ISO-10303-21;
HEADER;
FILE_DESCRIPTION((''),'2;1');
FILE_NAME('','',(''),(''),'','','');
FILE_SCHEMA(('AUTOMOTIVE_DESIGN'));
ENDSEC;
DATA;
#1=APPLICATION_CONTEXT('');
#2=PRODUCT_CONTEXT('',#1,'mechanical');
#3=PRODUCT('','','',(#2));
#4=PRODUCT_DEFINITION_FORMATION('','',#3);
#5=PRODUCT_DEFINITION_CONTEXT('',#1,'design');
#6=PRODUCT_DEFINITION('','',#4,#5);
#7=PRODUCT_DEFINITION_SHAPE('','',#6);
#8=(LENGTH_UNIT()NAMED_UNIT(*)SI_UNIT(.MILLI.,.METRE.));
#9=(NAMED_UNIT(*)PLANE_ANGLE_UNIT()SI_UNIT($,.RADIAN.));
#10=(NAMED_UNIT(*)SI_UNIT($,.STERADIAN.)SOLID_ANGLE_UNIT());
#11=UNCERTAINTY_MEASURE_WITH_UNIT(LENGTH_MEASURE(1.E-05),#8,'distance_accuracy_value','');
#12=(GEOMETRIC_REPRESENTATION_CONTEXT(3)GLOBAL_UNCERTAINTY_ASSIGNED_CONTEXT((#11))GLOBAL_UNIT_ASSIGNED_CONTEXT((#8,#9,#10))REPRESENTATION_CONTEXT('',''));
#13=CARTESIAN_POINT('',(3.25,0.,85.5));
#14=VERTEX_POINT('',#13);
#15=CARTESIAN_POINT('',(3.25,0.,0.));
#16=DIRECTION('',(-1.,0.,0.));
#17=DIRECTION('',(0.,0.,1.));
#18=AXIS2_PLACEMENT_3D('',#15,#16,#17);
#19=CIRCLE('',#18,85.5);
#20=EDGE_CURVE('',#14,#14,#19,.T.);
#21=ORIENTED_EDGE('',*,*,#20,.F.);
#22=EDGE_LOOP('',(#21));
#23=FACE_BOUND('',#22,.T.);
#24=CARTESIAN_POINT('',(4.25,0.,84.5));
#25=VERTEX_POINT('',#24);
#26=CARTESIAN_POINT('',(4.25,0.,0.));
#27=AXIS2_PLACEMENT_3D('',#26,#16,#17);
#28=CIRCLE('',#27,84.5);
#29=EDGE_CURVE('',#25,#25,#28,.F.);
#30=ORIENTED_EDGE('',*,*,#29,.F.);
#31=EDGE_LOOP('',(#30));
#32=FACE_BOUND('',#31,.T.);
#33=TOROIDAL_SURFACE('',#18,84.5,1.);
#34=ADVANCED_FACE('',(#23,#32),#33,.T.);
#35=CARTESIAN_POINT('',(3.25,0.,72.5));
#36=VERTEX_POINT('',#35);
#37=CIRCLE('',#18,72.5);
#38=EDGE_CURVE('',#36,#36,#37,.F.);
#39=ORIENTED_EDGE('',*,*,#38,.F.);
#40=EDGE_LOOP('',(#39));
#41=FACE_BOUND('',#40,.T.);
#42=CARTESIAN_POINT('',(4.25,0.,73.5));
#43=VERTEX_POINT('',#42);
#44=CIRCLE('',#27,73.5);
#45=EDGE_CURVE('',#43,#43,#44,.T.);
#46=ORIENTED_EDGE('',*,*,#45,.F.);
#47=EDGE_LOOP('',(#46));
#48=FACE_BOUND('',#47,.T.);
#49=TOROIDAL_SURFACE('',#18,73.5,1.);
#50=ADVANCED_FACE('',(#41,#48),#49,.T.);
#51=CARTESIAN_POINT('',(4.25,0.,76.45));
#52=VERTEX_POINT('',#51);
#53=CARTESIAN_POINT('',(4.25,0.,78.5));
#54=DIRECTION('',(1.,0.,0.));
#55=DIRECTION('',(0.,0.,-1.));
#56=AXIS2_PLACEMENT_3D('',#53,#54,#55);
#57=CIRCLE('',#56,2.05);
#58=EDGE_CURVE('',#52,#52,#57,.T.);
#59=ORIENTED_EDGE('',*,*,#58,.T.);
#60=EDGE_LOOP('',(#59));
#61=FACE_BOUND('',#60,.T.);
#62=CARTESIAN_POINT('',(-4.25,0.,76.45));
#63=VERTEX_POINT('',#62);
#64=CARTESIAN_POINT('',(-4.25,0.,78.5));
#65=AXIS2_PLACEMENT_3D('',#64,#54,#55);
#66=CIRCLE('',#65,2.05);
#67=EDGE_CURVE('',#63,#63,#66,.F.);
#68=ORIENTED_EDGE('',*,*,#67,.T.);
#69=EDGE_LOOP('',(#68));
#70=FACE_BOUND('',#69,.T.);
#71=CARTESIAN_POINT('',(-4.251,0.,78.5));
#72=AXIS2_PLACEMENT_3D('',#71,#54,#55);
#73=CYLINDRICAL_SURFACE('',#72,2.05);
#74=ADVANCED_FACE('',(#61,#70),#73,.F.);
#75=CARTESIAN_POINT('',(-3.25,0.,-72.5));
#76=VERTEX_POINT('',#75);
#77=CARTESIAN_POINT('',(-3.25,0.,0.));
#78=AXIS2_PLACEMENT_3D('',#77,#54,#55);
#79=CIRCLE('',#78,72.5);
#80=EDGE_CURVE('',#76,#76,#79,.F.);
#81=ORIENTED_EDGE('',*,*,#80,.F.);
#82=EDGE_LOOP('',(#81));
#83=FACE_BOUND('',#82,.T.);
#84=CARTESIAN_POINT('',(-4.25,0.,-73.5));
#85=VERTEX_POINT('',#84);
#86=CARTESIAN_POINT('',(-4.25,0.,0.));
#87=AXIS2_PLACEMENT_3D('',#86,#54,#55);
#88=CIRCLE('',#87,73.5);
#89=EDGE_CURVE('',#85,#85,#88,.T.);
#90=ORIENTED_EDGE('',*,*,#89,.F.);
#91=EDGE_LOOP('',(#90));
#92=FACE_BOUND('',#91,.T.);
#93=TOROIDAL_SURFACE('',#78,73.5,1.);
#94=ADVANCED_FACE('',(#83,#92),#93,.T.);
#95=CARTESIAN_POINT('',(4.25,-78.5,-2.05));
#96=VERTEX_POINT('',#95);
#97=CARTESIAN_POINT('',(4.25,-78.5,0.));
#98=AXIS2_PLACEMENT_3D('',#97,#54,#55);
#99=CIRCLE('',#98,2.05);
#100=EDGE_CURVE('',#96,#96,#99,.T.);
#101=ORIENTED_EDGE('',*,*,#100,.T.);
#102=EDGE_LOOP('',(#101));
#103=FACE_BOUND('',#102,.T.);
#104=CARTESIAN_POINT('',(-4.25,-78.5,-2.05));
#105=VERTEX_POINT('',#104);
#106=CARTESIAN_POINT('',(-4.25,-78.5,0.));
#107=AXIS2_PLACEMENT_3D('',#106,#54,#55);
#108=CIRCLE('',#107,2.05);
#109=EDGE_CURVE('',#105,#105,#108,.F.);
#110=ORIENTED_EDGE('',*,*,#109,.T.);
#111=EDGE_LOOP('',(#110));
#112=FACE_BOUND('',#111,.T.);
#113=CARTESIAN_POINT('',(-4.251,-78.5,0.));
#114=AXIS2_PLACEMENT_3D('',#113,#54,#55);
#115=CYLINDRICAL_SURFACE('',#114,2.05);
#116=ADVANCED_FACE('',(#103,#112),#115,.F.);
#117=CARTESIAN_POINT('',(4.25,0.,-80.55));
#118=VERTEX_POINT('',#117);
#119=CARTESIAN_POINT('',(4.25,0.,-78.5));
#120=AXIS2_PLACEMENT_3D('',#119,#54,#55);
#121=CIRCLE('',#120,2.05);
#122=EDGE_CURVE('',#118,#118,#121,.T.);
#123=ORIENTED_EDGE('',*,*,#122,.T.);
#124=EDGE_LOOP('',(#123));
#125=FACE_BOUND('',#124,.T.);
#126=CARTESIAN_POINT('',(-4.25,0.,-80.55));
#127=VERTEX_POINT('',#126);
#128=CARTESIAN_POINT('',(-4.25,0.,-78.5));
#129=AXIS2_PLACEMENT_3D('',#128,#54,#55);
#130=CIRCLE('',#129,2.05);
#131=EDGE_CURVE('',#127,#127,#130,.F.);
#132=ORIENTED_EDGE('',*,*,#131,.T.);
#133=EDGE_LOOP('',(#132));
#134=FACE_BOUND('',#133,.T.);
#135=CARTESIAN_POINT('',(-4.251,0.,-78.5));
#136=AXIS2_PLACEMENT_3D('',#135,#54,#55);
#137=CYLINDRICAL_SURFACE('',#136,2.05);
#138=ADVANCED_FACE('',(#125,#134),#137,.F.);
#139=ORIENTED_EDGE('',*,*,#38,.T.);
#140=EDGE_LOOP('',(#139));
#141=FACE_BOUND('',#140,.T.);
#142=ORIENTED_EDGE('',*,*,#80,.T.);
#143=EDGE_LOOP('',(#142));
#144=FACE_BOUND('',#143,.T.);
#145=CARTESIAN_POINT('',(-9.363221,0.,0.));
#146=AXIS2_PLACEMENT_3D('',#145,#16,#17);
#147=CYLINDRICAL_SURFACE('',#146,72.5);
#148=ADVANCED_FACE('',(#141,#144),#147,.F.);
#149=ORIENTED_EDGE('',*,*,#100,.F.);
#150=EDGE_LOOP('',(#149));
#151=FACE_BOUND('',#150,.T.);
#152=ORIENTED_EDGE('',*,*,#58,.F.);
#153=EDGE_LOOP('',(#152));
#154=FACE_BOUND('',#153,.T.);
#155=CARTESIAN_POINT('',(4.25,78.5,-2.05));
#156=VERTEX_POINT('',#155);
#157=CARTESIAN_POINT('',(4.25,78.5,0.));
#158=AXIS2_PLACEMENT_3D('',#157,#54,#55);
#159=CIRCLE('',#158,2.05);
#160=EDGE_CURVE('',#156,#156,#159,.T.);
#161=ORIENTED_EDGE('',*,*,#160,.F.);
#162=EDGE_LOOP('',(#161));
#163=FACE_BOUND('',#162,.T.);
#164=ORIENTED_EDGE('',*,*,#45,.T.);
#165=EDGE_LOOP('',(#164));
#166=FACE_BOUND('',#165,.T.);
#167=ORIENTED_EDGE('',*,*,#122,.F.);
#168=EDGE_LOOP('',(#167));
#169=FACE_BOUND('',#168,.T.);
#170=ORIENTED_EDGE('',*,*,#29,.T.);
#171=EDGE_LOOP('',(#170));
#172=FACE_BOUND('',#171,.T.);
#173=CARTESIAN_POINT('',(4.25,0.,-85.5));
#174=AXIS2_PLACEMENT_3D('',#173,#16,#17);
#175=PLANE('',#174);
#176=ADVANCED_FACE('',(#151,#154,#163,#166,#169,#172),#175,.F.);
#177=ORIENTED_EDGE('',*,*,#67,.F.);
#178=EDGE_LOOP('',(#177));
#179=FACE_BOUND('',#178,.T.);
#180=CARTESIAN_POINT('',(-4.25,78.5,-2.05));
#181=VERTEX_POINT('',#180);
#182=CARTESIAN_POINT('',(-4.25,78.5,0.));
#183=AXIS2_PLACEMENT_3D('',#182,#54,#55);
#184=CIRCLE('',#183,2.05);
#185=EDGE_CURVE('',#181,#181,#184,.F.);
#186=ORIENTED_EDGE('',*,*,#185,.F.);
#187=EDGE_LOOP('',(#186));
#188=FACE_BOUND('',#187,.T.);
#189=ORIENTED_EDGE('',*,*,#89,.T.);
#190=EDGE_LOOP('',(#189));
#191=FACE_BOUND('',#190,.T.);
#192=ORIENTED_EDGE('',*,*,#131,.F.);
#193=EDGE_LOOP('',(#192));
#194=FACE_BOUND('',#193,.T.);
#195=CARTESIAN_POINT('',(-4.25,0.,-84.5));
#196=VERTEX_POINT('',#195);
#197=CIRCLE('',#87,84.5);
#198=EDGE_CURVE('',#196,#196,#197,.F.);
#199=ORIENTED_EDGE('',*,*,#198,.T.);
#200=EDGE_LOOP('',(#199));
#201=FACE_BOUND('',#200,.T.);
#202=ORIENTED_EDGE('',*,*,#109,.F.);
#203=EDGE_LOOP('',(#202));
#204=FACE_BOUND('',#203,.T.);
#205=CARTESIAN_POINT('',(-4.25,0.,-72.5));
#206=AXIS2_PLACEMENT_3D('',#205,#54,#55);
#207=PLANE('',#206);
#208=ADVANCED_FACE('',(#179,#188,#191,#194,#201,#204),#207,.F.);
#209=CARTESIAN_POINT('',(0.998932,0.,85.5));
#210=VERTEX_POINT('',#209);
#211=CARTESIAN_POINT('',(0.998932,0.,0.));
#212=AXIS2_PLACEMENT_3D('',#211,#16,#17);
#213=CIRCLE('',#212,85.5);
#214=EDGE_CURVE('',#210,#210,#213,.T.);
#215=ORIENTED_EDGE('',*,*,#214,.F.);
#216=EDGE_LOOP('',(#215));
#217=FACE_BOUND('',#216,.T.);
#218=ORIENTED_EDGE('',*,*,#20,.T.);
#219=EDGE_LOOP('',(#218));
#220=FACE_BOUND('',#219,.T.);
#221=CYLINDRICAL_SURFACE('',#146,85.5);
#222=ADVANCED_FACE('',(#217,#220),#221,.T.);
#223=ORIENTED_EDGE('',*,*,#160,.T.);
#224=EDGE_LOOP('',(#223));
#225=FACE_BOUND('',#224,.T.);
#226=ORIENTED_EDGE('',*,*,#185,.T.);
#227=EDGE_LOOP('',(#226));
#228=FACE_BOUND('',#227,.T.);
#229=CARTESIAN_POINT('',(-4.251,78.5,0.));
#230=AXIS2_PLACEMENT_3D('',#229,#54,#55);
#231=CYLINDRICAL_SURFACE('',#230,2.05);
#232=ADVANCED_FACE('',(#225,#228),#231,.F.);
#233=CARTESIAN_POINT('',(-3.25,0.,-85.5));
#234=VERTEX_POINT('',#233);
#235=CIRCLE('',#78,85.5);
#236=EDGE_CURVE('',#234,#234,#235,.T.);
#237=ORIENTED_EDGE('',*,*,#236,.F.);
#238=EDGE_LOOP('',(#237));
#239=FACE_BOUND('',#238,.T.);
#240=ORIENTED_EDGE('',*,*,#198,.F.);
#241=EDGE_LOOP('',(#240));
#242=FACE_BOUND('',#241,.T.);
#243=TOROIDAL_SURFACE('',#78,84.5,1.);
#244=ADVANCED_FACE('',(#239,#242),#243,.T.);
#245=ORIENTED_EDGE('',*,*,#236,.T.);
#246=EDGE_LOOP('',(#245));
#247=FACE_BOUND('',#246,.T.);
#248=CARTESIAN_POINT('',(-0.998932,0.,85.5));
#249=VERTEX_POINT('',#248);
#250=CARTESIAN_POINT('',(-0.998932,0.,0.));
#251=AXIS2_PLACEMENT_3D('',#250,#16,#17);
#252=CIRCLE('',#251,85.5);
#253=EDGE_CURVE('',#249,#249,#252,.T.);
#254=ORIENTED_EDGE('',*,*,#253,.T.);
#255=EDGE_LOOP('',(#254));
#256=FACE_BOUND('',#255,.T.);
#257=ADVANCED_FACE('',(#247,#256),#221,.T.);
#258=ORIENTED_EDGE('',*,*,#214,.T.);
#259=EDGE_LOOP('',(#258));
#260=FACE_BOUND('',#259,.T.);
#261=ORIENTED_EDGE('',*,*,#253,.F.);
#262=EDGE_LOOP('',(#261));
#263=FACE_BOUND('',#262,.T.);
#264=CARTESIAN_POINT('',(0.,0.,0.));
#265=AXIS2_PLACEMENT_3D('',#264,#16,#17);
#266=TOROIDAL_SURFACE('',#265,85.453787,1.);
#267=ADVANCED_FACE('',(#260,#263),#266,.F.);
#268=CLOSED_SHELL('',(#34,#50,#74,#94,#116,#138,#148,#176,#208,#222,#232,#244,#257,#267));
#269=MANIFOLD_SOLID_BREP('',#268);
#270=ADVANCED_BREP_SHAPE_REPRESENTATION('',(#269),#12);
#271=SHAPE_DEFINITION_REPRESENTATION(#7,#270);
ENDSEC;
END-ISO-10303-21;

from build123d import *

# Parameters (mm, degrees)
FILLET1_R          = 1
CUT_EXTRUDE1_REACH = 123.214
SKETCH3_R          = 2.05


with BuildPart() as part:
    # Sketch1 → Revolve1 (revolve)
    with BuildSketch(Plane(origin=(0, 0, 0), x_dir=(1, 0, 0), z_dir=(0, 1, 0)), mode=Mode.PRIVATE) as revolve1_sk:
        with BuildLine():
            Line((-4.25, 85.5), (-0.998931619, 85.5))
            ThreePointArc((-0.998931619, 85.5), (0, 84.453787221), (0.998931619, 85.5))
            Line((0.998931619, 85.5), (4.25, 85.5))
            Line((4.25, 85.5), (4.25, 72.5))
            Line((4.25, 72.5), (-4.25, 72.5))
            Line((-4.25, 72.5), (-4.25, 85.5))
        make_face()
    revolve(revolve1_sk.sketch.rotate(Axis((-9.363221384, 0, 0), (1, 0, 0)), 180), axis=Axis((-9.363221384, 0, 0), (1, 0, 0)))

    # Fillet1
    fillet1_edges = [part.edges().sort_by_distance(p)[0] for p in [
        (-4.25, 0, -85.5),
        (4.25, 0, -85.5),
        (4.25, 0, -72.5),
        (-4.25, 0, -72.5),
    ]]
    fillet(fillet1_edges, radius=FILLET1_R)

    # Sketch3 → Cut-Extrude1 (cut, up to next)
    with BuildSketch(Plane(origin=(4.25, 0, 0), x_dir=(0, 0, -1), z_dir=(1, 0, 0)), mode=Mode.PRIVATE) as cut_extrude1_sk1:
        with Locations((-78.5, 0)):
            Circle(SKETCH3_R)
    cut_extrude1_tool1 = extrude(cut_extrude1_sk1.sketch, amount=-CUT_EXTRUDE1_REACH, mode=Mode.PRIVATE) & part.part
    # Sketch3 → Cut-Extrude1 (cut, up to next)
    with BuildSketch(Plane(origin=(4.25, 0, 0), x_dir=(0, 0, -1), z_dir=(1, 0, 0)), mode=Mode.PRIVATE) as cut_extrude1_sk2:
        with Locations((0, 78.5)):
            Circle(SKETCH3_R)
    cut_extrude1_tool2 = extrude(cut_extrude1_sk2.sketch, amount=-CUT_EXTRUDE1_REACH, mode=Mode.PRIVATE) & part.part
    # Sketch3 → Cut-Extrude1 (cut, up to next)
    with BuildSketch(Plane(origin=(4.25, 0, 0), x_dir=(0, 0, -1), z_dir=(1, 0, 0)), mode=Mode.PRIVATE) as cut_extrude1_sk3:
        with Locations((78.5, 0)):
            Circle(SKETCH3_R)
    cut_extrude1_tool3 = extrude(cut_extrude1_sk3.sketch, amount=-CUT_EXTRUDE1_REACH, mode=Mode.PRIVATE) & part.part
    # Sketch3 → Cut-Extrude1 (cut, up to next)
    with BuildSketch(Plane(origin=(4.25, 0, 0), x_dir=(0, 0, -1), z_dir=(1, 0, 0)), mode=Mode.PRIVATE) as cut_extrude1_sk4:
        with Locations((0, -78.5)):
            Circle(SKETCH3_R)
    cut_extrude1_tool4 = extrude(cut_extrude1_sk4.sketch, amount=-CUT_EXTRUDE1_REACH, mode=Mode.PRIVATE) & part.part
    add(cut_extrude1_tool1.solids().sort_by_distance((4.25, 0, 78.5))[0], mode=Mode.SUBTRACT)
    add(cut_extrude1_tool2.solids().sort_by_distance((4.25, 78.5, 0))[0], mode=Mode.SUBTRACT)
    add(cut_extrude1_tool3.solids().sort_by_distance((4.25, 0, -78.5))[0], mode=Mode.SUBTRACT)
    add(cut_extrude1_tool4.solids().sort_by_distance((4.25, -78.5, 0))[0], mode=Mode.SUBTRACT)


solid = part.part
